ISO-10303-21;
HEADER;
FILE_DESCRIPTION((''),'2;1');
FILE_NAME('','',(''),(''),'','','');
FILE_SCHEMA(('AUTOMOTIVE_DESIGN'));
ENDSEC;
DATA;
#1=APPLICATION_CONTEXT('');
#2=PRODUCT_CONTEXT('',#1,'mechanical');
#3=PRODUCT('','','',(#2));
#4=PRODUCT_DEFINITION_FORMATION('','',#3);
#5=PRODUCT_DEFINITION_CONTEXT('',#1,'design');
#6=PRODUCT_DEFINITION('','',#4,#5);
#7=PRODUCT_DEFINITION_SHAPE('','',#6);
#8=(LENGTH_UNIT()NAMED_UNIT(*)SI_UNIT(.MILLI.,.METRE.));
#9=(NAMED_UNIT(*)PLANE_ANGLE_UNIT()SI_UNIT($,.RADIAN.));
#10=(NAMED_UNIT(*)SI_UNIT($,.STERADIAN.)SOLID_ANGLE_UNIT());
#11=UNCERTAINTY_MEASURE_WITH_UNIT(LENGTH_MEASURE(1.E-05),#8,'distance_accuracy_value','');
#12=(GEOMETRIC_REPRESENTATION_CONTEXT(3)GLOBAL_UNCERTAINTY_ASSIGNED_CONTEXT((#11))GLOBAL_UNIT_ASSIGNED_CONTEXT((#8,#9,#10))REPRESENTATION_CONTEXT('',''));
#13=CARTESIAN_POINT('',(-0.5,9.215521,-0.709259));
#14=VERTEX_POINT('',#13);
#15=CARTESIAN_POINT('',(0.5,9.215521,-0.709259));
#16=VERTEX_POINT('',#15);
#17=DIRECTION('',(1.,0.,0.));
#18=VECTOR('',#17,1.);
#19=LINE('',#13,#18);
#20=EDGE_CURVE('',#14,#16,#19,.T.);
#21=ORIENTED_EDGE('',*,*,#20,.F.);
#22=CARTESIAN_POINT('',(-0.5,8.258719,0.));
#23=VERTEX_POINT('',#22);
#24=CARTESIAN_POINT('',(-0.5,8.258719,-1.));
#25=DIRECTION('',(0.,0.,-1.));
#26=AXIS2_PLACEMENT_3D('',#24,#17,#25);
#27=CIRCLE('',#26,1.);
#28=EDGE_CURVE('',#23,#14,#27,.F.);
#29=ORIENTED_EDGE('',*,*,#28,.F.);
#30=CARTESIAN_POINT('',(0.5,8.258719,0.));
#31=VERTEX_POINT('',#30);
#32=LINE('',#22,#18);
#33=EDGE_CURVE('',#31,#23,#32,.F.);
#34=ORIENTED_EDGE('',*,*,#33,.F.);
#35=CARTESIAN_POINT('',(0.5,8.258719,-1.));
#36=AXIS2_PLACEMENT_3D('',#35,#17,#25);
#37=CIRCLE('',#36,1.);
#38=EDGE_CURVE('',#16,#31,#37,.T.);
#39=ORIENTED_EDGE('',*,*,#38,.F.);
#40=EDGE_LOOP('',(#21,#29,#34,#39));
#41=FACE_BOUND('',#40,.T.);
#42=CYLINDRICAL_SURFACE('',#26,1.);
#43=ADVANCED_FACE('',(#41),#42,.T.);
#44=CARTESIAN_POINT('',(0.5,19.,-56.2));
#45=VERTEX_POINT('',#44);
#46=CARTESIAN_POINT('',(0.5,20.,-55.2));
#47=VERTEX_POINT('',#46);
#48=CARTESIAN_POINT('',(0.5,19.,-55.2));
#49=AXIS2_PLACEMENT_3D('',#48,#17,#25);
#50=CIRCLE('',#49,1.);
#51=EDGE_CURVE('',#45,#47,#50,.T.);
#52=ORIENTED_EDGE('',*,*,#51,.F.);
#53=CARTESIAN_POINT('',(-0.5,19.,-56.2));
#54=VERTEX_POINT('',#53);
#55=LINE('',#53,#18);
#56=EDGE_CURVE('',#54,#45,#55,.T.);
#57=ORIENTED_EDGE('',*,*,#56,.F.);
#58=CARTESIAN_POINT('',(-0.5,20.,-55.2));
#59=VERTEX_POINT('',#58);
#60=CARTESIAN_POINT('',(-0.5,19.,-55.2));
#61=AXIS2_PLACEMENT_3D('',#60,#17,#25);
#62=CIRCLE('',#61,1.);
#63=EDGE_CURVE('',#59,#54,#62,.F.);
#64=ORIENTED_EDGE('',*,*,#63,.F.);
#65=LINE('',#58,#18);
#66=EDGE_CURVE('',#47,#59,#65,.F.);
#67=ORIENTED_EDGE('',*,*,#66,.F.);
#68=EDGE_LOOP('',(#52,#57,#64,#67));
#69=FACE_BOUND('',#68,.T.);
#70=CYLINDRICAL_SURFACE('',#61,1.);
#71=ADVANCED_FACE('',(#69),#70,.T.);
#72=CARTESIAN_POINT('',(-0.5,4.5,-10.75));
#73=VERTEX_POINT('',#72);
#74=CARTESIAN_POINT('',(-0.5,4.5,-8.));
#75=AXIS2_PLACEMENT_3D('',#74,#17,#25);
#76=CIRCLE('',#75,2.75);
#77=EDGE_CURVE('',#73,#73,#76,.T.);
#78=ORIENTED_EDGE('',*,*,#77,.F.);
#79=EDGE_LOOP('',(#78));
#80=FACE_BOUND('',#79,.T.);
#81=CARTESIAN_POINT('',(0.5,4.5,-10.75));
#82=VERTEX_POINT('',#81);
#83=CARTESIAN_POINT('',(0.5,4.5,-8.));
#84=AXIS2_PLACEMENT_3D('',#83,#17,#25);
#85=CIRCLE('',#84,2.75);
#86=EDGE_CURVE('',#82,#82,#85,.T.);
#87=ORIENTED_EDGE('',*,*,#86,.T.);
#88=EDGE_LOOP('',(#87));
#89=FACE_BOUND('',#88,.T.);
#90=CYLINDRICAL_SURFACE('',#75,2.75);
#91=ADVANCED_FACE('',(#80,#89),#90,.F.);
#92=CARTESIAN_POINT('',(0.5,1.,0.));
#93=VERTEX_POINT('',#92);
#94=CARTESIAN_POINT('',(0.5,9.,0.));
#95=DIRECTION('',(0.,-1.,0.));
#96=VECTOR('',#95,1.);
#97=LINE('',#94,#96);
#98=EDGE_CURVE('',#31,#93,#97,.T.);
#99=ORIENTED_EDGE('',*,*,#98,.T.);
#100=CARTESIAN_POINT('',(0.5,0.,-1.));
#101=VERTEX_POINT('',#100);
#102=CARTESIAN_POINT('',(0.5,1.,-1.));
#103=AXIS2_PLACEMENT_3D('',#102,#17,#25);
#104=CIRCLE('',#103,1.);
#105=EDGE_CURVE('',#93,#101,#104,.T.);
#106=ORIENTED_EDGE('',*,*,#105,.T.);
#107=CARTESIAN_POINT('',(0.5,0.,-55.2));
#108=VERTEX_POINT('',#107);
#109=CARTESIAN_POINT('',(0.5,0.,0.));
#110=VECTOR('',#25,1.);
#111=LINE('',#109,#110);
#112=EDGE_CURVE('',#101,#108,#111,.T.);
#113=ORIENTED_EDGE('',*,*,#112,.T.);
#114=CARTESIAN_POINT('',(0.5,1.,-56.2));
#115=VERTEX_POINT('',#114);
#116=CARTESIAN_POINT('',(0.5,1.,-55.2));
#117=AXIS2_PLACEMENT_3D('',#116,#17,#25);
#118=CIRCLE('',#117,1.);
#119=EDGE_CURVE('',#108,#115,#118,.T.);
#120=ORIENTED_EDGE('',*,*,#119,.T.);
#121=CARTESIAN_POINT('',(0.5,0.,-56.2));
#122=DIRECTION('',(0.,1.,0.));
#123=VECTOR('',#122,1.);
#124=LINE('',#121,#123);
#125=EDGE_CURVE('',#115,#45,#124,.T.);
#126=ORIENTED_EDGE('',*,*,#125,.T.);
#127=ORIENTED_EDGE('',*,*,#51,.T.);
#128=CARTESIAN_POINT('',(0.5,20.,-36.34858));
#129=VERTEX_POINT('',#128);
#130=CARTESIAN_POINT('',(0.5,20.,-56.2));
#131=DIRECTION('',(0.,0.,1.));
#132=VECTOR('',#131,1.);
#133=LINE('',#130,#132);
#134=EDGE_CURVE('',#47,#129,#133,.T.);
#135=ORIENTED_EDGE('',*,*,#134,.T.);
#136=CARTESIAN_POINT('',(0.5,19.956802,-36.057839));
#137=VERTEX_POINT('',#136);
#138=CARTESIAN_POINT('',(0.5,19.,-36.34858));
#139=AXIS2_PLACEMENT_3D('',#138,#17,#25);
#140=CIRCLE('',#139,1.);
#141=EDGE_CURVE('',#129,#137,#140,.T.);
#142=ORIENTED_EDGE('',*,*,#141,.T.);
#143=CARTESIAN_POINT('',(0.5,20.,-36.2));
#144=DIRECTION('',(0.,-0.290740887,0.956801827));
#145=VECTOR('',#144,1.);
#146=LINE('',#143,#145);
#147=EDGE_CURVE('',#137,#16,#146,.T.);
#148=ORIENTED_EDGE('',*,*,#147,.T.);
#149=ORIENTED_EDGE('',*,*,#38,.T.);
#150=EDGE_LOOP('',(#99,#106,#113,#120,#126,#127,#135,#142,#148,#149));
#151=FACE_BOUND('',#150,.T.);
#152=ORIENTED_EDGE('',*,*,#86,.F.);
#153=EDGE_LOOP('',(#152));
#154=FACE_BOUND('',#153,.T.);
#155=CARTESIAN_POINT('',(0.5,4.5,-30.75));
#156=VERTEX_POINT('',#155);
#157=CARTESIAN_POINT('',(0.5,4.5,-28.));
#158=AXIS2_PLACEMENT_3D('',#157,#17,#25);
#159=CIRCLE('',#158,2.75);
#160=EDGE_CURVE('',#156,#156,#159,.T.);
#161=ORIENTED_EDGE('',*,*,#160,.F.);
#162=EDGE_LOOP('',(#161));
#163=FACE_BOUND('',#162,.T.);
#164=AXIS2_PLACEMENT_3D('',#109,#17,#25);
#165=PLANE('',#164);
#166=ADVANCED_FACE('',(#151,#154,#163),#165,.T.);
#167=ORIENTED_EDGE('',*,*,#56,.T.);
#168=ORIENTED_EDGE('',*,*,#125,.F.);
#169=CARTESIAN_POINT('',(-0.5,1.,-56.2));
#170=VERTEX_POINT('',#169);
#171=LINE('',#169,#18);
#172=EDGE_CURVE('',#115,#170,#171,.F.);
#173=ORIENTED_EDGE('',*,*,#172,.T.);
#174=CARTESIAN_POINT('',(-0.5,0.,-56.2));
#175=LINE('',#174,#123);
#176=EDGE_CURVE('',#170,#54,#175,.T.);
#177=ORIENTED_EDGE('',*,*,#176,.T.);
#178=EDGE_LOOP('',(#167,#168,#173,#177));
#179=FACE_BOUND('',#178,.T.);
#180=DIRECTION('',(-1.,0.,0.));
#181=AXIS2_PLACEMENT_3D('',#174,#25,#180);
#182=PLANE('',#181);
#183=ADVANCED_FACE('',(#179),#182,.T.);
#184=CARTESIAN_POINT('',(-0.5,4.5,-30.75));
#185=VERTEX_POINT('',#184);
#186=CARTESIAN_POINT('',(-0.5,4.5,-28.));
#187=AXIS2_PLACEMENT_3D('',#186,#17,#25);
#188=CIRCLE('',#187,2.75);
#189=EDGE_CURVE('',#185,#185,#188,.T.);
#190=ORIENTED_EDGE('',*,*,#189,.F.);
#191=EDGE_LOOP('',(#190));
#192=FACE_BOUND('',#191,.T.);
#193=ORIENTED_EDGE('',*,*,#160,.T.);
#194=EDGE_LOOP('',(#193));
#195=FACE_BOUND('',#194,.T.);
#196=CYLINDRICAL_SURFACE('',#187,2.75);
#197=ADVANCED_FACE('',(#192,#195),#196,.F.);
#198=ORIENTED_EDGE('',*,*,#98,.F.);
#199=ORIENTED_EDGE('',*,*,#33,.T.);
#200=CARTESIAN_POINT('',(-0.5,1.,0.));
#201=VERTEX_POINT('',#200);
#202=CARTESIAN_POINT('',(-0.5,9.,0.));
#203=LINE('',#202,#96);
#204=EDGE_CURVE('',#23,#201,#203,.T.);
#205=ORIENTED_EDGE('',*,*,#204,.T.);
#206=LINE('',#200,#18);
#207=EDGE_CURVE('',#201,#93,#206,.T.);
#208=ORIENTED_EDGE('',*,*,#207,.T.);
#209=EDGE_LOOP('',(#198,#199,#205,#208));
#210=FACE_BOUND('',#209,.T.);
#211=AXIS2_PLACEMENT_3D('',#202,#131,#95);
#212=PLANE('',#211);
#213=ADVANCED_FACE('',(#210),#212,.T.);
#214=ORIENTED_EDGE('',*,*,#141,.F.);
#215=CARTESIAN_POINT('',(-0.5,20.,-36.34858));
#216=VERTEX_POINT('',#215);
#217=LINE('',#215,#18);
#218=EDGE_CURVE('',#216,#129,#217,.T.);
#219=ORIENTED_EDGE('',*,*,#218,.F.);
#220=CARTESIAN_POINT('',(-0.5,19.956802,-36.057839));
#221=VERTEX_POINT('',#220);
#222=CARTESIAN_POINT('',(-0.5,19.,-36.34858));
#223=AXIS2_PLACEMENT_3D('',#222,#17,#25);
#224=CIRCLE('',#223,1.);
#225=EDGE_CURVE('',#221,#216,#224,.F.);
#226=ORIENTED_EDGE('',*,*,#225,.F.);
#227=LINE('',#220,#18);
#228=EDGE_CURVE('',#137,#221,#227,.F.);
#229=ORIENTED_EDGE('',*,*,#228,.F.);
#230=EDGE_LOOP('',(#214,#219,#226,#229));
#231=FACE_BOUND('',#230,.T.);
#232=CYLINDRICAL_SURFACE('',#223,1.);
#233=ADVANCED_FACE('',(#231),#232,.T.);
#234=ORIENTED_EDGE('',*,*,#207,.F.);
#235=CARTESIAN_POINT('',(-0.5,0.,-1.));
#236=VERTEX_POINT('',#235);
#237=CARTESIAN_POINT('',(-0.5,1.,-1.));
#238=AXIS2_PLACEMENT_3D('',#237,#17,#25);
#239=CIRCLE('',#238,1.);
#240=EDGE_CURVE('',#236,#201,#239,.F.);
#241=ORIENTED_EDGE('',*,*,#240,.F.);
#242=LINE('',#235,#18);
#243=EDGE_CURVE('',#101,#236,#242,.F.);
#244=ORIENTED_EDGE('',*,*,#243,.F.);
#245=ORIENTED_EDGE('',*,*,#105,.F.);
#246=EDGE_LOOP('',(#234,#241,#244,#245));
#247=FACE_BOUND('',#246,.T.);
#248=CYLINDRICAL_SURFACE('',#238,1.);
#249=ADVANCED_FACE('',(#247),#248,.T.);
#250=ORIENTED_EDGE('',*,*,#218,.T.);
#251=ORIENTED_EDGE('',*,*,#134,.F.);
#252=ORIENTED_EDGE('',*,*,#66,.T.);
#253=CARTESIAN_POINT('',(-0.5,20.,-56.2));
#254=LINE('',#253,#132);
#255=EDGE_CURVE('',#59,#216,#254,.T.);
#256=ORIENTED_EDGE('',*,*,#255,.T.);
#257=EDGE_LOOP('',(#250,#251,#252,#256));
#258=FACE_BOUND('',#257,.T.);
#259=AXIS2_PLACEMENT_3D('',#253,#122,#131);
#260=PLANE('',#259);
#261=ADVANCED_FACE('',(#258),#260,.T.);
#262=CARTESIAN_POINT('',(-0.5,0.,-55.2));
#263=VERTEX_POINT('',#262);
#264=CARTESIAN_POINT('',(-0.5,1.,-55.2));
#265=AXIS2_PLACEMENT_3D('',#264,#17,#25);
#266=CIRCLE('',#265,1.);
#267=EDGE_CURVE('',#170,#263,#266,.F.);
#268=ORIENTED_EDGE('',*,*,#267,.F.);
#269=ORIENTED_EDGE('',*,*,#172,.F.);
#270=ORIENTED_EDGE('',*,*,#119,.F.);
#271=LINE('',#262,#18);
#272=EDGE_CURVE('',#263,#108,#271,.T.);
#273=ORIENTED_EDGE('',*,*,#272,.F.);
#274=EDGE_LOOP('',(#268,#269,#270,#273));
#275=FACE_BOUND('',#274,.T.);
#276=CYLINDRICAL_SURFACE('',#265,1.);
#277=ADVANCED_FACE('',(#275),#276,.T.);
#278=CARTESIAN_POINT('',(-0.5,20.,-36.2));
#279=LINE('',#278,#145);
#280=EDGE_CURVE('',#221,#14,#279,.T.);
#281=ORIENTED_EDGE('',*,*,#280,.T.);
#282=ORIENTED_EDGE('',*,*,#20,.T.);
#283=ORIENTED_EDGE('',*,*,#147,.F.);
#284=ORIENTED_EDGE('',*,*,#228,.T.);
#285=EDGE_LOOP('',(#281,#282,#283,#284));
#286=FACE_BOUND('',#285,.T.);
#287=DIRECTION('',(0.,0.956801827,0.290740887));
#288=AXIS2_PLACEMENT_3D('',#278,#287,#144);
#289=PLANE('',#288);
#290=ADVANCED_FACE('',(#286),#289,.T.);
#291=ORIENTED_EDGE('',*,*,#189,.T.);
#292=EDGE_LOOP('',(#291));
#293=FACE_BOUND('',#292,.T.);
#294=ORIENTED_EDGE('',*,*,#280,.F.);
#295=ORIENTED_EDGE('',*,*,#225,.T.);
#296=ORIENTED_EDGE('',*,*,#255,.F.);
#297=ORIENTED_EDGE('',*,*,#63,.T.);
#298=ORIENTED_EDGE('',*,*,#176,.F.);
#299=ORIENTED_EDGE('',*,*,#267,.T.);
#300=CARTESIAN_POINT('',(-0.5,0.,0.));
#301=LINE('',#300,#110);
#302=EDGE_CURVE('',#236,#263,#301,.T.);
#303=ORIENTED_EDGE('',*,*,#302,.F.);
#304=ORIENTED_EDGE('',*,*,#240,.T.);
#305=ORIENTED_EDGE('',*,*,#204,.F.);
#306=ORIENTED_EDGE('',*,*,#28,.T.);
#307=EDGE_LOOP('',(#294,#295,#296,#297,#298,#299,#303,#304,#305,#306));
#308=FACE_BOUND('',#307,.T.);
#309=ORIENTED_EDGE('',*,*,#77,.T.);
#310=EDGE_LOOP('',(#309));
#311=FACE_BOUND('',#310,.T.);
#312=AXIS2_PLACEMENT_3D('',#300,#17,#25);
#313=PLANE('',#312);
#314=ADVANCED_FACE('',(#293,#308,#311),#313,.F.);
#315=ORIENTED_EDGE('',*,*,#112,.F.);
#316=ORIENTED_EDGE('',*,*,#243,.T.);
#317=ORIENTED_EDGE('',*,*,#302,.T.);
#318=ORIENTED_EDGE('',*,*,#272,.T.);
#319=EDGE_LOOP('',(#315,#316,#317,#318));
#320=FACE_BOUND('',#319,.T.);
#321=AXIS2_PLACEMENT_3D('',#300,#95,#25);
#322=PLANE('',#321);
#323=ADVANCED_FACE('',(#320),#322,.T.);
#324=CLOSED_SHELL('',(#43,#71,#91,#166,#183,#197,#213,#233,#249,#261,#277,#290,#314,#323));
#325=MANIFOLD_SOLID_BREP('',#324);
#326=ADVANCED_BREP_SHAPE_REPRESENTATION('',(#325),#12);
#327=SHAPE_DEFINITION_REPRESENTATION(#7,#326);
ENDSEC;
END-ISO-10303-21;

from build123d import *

# Parameters (mm, degrees)
BOSS_EXTRUDE1_DEPTH      = 0.5
BOSS_EXTRUDE1_DEPTH_BACK = 0.5
FILLET1_R                = 1
SKETCH2_R                = 2.75
CUT_EXTRUDE1_DEPTH       = 60.661042565


with BuildPart() as part:
    # Sketch1 → Boss-Extrude1 (new, two sides: drawn at the far end of the back side and taken through both)
    with BuildSketch(Plane(origin=(0, 0, 0), x_dir=(0, 0, -1), z_dir=(1, 0, 0)).offset(-BOSS_EXTRUDE1_DEPTH_BACK)):
        Polygon((0, 0), (56.2, 0), (56.2, 20), (36.2, 20), (0, 9), align=None)
    extrude(amount=BOSS_EXTRUDE1_DEPTH + BOSS_EXTRUDE1_DEPTH_BACK)

    # Fillet1
    fillet1_edges = [part.edges().sort_by_distance(p)[0] for p in [
        (0, 9, 0),
        (0, 20, -36.2),
        (0, 20, -56.2),
        (0, 0, -56.2),
        (0, 0, 0),
    ]]
    fillet(fillet1_edges, radius=FILLET1_R)

    # Sketch2 → Cut-Extrude1 (cut, through all)
    with BuildSketch(Plane(origin=(0.5, 0, 0), x_dir=(0, 0, -1), z_dir=(1, 0, 0))):
        with Locations((8, 4.5)):
            Circle(SKETCH2_R)
        with Locations((28, 4.5)):
            Circle(SKETCH2_R)
    extrude(amount=-CUT_EXTRUDE1_DEPTH, mode=Mode.SUBTRACT)


solid = part.part
